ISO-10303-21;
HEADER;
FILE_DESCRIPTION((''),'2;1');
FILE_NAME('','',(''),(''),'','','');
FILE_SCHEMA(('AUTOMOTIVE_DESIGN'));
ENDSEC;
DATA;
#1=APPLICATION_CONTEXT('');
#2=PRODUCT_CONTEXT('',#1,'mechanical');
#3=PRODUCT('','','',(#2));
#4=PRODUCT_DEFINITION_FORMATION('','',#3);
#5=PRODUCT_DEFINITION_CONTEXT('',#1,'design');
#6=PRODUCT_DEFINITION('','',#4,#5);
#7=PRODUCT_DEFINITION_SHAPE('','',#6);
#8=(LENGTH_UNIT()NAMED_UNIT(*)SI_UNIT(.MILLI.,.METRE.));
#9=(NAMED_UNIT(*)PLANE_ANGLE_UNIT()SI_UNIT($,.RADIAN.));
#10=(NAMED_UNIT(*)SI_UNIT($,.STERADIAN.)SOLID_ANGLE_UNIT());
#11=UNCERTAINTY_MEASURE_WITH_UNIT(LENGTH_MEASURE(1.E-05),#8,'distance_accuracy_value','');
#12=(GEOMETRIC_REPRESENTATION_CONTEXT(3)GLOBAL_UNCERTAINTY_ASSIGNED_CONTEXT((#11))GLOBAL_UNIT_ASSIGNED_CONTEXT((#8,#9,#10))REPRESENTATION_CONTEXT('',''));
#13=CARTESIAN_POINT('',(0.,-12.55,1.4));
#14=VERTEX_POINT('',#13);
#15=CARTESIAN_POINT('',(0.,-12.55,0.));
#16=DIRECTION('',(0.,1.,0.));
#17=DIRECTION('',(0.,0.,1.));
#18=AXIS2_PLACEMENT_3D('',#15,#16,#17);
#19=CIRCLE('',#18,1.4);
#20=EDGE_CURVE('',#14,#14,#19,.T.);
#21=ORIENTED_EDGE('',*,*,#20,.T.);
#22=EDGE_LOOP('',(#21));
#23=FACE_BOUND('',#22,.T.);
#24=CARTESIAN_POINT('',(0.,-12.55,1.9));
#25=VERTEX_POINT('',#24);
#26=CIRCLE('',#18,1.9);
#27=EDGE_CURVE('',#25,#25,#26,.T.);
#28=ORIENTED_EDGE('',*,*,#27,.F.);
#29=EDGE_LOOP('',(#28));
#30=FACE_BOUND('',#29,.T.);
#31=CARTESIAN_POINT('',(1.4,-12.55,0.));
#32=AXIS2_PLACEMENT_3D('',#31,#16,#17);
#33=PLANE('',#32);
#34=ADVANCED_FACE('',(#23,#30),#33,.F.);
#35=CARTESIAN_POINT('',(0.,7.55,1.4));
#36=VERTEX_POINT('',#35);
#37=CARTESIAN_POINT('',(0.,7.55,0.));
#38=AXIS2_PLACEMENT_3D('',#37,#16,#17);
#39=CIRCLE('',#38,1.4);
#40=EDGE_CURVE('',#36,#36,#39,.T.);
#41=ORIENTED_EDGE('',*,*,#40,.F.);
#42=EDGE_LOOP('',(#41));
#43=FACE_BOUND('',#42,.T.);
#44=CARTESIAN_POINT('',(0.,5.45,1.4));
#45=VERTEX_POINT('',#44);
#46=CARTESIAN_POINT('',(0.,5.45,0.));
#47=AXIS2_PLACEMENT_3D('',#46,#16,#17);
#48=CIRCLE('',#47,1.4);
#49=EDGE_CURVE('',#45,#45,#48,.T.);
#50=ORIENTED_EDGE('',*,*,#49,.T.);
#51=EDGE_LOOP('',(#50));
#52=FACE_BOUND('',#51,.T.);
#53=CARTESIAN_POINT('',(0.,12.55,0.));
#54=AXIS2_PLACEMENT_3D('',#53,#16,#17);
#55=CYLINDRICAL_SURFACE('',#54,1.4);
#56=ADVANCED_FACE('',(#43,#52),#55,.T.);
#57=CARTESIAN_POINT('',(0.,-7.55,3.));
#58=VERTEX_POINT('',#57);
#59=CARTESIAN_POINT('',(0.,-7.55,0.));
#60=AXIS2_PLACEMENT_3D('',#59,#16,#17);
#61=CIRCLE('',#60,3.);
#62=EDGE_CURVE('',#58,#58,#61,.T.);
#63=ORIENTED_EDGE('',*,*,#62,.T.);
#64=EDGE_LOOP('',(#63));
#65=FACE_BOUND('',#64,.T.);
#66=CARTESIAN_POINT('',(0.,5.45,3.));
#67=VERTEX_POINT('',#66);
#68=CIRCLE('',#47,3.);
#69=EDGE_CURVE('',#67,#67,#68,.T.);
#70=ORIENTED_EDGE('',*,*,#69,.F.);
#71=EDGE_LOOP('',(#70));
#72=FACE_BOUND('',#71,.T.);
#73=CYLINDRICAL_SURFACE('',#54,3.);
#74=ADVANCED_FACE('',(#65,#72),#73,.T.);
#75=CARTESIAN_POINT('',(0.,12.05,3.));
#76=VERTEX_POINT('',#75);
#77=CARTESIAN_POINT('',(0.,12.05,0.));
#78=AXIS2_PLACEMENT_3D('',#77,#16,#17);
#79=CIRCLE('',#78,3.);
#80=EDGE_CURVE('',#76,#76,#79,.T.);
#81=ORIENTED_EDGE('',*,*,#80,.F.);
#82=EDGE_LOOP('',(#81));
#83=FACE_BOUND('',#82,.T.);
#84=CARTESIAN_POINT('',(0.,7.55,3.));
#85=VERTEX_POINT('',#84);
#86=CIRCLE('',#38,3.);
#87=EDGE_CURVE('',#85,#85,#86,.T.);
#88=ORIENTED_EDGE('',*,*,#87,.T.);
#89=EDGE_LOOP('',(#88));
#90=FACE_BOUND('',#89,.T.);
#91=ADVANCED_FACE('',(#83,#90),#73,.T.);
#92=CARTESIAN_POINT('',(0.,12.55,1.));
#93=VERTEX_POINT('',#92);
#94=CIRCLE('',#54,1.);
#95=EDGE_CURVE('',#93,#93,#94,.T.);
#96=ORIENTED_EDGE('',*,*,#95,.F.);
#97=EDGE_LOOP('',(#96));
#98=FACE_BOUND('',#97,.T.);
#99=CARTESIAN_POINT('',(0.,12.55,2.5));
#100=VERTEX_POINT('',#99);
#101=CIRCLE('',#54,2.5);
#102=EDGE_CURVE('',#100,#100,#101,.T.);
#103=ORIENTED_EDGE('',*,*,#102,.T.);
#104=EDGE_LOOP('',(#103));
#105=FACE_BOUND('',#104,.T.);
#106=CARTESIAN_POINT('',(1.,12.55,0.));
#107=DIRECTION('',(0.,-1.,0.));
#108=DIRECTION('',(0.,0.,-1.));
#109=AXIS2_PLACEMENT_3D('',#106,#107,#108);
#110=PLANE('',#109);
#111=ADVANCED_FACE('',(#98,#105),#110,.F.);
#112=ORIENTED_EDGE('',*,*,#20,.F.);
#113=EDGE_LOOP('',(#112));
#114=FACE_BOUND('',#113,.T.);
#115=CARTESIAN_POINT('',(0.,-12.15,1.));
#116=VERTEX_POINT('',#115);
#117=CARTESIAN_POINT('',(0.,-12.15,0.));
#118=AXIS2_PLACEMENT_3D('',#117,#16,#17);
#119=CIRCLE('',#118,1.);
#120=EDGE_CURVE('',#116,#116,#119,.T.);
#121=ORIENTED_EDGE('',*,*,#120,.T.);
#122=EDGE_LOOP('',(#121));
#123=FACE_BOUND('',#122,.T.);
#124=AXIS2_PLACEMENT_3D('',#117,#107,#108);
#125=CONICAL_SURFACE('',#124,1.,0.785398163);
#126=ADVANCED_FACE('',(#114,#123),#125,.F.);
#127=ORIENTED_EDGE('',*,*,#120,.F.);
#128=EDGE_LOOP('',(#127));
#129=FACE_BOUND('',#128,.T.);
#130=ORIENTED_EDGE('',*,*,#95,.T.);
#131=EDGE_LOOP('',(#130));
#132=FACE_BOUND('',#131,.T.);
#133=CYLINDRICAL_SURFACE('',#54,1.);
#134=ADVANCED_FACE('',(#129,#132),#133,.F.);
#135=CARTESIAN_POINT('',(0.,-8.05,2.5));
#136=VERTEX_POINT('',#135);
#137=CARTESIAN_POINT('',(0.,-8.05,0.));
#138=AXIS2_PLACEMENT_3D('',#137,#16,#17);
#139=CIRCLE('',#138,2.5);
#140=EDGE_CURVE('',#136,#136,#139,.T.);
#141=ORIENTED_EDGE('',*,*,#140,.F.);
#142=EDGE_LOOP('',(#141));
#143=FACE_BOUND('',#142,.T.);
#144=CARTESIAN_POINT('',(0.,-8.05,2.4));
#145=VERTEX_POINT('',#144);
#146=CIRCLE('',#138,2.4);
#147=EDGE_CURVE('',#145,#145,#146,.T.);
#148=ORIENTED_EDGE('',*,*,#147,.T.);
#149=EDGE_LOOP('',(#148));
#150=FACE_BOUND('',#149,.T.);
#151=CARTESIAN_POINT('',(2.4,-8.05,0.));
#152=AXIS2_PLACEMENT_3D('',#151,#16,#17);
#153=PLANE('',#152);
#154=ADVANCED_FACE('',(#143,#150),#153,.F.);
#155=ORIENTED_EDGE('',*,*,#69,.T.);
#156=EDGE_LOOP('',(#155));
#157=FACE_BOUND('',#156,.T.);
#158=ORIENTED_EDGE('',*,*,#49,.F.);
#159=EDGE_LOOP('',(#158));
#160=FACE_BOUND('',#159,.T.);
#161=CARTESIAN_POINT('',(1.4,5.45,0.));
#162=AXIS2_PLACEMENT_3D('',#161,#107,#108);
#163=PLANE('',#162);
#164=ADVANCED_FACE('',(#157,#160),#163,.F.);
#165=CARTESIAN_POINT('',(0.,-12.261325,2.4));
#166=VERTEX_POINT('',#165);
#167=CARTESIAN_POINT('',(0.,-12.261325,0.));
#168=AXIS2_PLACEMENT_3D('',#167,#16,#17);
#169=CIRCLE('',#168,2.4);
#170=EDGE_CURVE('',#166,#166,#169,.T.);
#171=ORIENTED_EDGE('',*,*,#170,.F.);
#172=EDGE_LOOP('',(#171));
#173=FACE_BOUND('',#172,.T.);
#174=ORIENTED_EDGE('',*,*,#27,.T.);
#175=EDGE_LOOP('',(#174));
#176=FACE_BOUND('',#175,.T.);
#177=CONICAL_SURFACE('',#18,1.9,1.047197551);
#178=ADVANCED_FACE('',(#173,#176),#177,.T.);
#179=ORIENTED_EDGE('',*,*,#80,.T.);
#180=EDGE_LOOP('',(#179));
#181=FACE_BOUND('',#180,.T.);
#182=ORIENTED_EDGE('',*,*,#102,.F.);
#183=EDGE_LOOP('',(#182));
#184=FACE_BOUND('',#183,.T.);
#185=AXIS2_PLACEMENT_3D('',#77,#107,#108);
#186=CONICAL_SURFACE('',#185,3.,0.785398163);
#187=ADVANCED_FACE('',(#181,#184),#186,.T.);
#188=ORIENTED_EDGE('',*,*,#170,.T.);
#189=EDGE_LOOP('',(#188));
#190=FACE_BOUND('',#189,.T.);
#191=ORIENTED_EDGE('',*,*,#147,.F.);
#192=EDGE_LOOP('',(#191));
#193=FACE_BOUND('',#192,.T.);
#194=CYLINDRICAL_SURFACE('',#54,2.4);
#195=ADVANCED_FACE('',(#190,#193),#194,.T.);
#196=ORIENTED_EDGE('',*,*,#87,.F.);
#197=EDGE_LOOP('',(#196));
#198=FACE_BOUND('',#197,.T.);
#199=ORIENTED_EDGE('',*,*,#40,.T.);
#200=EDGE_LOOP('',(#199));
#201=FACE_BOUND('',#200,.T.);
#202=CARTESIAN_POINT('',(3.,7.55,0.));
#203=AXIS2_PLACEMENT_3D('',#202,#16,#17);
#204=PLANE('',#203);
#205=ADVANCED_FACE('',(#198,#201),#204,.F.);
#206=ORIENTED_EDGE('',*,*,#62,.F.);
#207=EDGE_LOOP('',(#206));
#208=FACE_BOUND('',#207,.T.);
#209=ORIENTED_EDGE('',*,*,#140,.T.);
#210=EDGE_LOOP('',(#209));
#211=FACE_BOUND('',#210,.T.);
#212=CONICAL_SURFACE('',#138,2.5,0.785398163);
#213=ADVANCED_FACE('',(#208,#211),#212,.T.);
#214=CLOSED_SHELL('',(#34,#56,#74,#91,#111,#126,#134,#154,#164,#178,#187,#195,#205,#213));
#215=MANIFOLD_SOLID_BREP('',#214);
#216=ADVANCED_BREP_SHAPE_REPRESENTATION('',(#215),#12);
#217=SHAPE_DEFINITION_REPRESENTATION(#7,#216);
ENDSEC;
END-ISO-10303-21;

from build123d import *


with BuildPart() as part:
    # Sketch1 → Revolve1 (revolve)
    with BuildSketch(Plane.XY):
        Polygon((1, -12.15), (1, 12.55), (2.5, 12.55), (3, 12.05), (3, 7.55), (1.4, 7.55), (1.4, 5.45), (3, 5.45), (3, -7.55), (2.5, -8.05), (2.4, -8.05), (2.4, -12.261324865), (1.9, -12.55), (1.4, -12.55), align=None)
    revolve(axis=Axis((0, 12.55, 0), (0, -1, 0)))


solid = part.part
